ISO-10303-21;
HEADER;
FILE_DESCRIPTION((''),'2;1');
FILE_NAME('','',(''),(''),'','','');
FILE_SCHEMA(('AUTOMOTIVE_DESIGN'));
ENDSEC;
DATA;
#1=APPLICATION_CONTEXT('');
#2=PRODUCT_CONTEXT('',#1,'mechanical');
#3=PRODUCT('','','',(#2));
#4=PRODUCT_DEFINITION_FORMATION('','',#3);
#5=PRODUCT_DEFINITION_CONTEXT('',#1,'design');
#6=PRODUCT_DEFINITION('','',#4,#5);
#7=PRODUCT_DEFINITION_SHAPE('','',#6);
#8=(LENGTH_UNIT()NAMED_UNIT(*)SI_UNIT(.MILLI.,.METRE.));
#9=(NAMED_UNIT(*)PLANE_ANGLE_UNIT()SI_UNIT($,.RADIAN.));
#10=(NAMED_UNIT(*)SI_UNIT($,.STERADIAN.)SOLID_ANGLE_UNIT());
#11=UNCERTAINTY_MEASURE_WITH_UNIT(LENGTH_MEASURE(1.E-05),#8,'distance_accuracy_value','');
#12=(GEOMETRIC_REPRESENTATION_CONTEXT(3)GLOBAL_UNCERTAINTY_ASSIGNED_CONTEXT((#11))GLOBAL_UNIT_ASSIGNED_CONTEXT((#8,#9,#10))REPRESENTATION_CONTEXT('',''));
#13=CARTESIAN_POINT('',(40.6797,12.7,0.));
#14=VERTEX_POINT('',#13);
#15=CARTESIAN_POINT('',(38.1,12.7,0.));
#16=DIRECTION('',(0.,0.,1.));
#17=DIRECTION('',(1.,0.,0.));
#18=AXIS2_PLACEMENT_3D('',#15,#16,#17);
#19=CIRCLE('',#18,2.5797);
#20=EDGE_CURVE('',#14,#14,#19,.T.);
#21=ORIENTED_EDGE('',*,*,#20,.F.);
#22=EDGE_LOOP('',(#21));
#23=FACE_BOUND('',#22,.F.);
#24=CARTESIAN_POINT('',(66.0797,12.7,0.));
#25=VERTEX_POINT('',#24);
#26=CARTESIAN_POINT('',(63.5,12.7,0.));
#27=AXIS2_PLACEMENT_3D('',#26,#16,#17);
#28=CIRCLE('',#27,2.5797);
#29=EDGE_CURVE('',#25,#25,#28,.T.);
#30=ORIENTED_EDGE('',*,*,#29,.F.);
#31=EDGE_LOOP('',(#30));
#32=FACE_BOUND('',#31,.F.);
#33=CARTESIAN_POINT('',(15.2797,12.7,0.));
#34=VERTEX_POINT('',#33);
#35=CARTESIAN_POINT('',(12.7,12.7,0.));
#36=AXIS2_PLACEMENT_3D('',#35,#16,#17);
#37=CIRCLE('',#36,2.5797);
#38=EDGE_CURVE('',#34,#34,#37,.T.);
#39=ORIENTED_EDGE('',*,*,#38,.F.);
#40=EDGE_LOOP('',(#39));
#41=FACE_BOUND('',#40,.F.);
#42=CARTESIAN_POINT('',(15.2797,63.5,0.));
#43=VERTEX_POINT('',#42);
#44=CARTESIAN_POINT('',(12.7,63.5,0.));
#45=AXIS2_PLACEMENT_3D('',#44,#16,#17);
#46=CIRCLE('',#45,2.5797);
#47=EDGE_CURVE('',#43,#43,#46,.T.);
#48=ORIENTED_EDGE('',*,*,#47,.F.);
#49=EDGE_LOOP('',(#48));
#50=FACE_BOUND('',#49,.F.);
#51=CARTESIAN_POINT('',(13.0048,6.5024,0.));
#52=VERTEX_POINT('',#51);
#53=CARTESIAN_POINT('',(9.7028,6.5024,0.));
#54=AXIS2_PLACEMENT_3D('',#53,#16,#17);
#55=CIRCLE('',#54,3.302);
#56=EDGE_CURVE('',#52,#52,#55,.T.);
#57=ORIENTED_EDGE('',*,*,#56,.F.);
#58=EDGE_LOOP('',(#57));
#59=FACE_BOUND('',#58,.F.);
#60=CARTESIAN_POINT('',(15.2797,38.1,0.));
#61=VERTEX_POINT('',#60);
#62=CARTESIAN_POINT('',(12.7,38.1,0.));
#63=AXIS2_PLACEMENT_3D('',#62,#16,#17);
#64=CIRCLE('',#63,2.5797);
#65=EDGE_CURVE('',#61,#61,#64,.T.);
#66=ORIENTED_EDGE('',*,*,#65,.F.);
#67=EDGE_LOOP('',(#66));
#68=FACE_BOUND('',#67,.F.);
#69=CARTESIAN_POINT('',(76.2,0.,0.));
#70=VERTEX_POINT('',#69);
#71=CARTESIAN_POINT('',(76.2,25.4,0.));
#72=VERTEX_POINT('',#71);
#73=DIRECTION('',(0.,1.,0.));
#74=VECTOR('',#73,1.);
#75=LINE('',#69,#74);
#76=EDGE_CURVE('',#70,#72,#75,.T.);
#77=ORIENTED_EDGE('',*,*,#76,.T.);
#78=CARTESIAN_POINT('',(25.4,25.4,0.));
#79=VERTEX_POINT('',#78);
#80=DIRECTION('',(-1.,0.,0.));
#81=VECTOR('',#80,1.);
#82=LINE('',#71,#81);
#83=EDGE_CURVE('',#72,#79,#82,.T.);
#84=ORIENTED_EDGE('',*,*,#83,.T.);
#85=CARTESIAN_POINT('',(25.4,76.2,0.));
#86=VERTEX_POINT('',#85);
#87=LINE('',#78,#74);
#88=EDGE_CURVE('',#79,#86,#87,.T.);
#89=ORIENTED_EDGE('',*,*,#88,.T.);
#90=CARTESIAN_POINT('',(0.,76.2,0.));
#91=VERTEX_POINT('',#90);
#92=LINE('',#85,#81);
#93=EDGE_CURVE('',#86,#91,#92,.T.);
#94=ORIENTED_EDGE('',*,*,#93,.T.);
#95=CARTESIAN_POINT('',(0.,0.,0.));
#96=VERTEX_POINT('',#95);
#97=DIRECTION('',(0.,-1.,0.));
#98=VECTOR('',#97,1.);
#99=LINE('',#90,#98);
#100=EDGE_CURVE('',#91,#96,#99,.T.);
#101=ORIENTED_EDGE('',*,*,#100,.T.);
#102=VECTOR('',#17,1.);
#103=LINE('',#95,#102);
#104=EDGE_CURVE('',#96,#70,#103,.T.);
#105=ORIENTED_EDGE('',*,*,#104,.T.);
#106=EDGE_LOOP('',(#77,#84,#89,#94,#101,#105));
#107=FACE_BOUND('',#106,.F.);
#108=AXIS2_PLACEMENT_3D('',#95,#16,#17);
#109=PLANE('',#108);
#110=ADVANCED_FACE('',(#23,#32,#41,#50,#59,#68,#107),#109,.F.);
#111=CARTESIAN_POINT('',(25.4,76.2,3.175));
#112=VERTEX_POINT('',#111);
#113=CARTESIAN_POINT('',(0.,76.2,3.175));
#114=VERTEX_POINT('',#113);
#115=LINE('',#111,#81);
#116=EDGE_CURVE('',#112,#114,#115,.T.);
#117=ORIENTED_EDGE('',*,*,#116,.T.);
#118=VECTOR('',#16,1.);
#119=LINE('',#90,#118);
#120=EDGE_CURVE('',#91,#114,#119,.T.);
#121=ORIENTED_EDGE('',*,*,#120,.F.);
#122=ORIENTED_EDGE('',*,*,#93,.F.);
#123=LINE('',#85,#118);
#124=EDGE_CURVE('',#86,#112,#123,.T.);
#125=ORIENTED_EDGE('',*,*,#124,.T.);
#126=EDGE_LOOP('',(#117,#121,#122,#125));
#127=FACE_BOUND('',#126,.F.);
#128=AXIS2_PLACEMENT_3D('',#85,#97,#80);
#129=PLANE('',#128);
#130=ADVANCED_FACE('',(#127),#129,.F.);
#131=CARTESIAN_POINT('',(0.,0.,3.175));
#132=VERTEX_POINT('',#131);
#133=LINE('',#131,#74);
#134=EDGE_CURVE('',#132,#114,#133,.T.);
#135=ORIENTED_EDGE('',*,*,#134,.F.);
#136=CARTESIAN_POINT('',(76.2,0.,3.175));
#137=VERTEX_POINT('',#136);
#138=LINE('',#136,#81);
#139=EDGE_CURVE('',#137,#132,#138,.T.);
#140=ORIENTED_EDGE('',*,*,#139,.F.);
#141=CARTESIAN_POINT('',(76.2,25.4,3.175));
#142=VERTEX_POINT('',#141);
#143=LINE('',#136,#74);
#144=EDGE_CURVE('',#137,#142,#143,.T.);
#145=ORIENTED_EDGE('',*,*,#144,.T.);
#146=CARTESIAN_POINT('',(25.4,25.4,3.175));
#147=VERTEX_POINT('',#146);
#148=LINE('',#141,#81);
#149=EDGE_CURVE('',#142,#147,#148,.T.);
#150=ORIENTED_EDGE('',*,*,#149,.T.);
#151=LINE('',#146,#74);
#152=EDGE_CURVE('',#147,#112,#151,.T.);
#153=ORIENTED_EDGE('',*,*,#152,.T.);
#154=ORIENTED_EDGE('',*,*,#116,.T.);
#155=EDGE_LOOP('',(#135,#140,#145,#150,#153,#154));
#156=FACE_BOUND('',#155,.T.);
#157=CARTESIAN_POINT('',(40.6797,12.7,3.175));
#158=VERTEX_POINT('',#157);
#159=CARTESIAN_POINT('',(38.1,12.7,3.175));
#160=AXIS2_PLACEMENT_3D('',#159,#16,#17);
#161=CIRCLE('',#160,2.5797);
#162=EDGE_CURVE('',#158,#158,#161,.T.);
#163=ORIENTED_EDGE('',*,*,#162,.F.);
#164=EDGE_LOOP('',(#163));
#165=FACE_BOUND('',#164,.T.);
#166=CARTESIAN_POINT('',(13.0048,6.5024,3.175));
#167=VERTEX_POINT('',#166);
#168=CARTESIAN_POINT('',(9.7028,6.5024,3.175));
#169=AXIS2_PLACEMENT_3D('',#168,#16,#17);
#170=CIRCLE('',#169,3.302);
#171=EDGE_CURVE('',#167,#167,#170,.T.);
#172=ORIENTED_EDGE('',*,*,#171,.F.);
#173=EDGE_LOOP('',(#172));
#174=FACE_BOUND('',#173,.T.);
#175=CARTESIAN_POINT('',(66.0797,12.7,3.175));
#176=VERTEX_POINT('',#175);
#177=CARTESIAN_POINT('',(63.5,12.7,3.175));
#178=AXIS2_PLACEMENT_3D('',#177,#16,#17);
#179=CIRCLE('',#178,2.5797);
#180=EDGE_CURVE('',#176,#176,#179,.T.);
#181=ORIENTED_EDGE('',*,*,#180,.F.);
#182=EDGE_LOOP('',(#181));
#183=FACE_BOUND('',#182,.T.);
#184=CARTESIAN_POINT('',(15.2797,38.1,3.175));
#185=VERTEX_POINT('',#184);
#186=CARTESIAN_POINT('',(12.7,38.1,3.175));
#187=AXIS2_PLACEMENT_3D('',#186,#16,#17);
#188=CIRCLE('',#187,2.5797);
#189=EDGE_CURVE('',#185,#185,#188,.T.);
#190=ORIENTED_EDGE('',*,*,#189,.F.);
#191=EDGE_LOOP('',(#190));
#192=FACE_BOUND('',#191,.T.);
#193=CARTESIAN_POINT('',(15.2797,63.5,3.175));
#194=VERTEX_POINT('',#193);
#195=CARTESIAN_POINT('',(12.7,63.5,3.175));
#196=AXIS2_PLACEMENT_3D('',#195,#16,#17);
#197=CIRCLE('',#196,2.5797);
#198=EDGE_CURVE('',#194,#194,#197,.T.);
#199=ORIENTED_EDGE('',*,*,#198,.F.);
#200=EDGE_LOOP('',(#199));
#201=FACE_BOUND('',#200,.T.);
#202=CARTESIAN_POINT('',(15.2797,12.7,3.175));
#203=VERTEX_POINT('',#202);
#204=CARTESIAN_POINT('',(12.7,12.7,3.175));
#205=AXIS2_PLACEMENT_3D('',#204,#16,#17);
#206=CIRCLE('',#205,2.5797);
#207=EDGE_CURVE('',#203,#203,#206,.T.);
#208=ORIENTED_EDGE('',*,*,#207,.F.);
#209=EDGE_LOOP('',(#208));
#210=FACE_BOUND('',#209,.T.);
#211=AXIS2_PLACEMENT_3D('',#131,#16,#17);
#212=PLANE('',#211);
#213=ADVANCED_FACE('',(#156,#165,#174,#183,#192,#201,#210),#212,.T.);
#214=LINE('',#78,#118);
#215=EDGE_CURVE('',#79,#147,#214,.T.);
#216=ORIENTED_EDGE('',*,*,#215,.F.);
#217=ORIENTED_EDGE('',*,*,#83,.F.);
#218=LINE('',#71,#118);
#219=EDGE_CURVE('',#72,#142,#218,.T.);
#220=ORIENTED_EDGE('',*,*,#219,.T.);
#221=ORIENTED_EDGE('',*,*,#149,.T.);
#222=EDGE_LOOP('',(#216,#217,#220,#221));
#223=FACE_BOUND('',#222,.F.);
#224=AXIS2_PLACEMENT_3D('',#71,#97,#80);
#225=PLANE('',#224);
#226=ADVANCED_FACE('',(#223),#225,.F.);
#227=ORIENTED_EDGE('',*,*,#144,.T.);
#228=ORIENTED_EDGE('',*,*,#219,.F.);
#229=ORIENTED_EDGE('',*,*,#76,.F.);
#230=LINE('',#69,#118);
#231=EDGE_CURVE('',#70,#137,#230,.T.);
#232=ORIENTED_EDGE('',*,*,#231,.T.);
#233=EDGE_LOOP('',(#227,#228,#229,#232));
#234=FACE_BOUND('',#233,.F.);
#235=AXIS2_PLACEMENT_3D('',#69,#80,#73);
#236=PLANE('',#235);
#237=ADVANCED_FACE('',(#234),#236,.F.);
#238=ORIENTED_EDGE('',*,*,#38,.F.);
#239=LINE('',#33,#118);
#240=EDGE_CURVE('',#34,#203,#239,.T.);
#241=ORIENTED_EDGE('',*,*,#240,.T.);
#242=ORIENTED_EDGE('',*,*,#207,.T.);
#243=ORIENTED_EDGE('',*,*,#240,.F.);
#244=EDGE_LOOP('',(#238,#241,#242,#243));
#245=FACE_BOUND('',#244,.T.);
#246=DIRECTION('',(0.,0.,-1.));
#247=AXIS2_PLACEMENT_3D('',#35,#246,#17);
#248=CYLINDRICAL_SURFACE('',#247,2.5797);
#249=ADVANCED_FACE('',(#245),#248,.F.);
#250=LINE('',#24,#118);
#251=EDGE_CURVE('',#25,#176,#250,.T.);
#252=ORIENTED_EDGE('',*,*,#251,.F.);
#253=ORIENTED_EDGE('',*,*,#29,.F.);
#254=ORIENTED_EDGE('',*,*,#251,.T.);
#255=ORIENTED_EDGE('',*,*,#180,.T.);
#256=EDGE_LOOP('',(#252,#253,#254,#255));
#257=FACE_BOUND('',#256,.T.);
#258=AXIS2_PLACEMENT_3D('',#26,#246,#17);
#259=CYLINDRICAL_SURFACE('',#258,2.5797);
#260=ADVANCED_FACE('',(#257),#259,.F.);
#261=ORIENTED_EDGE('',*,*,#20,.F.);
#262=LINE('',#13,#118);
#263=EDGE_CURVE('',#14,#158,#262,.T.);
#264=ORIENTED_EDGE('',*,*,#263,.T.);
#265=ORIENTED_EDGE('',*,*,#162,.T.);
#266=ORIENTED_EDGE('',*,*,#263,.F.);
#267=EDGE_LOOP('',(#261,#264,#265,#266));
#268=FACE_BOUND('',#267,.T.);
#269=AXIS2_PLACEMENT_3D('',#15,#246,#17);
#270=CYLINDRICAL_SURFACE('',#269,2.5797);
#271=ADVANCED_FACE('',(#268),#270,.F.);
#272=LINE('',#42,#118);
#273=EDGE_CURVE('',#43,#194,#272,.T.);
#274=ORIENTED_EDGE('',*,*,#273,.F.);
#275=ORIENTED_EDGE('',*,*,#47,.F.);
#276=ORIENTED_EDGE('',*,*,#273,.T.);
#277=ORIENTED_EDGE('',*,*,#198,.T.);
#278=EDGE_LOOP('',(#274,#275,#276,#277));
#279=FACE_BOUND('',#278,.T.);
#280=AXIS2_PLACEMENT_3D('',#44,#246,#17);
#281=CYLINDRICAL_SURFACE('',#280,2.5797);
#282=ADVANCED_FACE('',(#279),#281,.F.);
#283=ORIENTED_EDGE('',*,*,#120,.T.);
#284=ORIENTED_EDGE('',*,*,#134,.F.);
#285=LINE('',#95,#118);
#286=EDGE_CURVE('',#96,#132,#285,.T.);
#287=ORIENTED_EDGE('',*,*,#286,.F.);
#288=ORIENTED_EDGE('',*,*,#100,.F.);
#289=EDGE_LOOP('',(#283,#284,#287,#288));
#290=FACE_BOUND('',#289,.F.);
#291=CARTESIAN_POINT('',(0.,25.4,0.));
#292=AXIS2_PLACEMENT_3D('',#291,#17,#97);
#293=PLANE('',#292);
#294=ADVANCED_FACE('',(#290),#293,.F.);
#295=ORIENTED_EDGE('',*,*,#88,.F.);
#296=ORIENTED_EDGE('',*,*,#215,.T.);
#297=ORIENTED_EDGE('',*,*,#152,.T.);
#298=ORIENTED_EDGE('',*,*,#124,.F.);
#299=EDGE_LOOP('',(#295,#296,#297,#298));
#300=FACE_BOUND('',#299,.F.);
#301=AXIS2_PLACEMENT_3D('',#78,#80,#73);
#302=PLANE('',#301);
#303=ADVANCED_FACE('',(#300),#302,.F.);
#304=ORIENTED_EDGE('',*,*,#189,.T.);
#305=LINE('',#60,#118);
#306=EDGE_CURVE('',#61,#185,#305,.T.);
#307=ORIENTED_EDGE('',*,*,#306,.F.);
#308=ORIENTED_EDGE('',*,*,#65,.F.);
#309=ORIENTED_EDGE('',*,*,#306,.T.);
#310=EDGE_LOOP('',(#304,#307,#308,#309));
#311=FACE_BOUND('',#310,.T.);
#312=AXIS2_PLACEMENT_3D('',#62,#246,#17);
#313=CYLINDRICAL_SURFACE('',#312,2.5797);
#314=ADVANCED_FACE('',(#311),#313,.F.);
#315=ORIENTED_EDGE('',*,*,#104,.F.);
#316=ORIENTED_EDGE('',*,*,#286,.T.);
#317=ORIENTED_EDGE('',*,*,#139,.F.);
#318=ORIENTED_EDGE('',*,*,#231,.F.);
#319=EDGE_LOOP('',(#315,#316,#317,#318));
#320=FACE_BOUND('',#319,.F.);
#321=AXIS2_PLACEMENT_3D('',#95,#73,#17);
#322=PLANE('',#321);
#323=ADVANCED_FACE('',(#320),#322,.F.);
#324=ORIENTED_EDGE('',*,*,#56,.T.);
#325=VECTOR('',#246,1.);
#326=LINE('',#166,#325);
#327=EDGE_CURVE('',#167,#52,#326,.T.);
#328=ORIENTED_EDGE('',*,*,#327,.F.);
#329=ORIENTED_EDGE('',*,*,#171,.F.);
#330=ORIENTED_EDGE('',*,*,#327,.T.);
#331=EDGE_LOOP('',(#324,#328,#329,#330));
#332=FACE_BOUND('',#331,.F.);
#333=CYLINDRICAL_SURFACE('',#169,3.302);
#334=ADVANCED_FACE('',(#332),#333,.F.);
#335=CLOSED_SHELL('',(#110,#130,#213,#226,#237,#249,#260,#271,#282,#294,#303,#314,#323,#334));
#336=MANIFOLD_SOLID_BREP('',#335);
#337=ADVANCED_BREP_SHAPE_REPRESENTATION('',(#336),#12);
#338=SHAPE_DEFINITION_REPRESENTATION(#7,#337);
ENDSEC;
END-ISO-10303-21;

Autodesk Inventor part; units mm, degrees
ref_plane "YZ Plane" through (0, 0, 0) normal (1, 0, 0) x (0, 1, 0)
ref_plane "XZ Plane" through (0, 0, 0) normal (0, 1, 0) x (-1, 0, 0)
ref_plane "XY Plane" through (0, 0, 0) normal (0, 0, 1) x (1, 0, 0)
sketch "Sketch1" plane through (0, 0, 0) normal (0, 0, 1) x (1, 0, 0)
  line L0 (0, 0) -> (76.2, 0)
  line L1 (76.2, 0) -> (76.2, 25.4)
  line L2 (76.2, 25.4) -> (25.4, 25.4)
  line L3 (0, 25.4) -> (0, 0)
  line L4 (0, 0) -> (25.4, 0)
  line L5 (25.4, 25.4) -> (25.4, 76.2)
  line L6 (25.4, 76.2) -> (0, 76.2)
  line L7 (0, 76.2) -> (0, 0)
  line L8 (12.7, 76.2) -> (12.7, 63.5) construction
  line L9 (12.7, 63.5) -> (12.7, 38.1) construction
  line L10 (12.7, 38.1) -> (12.7, 12.7) construction
  line L11 (12.7, 12.7) -> (38.1, 12.7) construction
  line L12 (38.1, 12.7) -> (63.5, 12.7) construction
  circle A0 centre (12.7, 63.5) radius 2.5797
  circle A1 centre (12.7, 38.1) radius 2.5797
  circle A2 centre (12.7, 12.7) radius 2.5797
  circle A3 centre (38.1, 12.7) radius 2.5797
  circle A4 centre (63.5, 12.7) radius 2.5797
  dimension "d0" = 76.2
  dimension "d1" = 25.4
  dimension "d2" = 25.4
  dimension "d3" = 76.2
  dimension "d4" = 12.7
  dimension "d5" = 25.4
  dimension "d6" = 25.4
  dimension "d7" = 25.4
  dimension "d8" = 25.4
  dimension "d9" = 5.1594
extrude "Extrusion1" add sketch "Sketch1" along normal blind 3.175
sketch "Sketch2" plane through (0, 0, 3.175) normal (0, 0, 1) x (1, 0, 0)
  line L0 (0, 0) -> (76.2, 0) construction
  line L1 (0, 0) -> (9.7028, 0) construction
  line L2 (9.7028, 0) -> (9.7028, 6.5024) construction
  circle A0 centre (9.7028, 6.5024) radius 3.302
  dimension "d12" = 9.7028
  dimension "d13" = 6.5024
  dimension "d14" = 6.604
extrude "Extrusion2" cut sketch "Sketch2" against normal blind 25.4
properties part number "L gusset"
